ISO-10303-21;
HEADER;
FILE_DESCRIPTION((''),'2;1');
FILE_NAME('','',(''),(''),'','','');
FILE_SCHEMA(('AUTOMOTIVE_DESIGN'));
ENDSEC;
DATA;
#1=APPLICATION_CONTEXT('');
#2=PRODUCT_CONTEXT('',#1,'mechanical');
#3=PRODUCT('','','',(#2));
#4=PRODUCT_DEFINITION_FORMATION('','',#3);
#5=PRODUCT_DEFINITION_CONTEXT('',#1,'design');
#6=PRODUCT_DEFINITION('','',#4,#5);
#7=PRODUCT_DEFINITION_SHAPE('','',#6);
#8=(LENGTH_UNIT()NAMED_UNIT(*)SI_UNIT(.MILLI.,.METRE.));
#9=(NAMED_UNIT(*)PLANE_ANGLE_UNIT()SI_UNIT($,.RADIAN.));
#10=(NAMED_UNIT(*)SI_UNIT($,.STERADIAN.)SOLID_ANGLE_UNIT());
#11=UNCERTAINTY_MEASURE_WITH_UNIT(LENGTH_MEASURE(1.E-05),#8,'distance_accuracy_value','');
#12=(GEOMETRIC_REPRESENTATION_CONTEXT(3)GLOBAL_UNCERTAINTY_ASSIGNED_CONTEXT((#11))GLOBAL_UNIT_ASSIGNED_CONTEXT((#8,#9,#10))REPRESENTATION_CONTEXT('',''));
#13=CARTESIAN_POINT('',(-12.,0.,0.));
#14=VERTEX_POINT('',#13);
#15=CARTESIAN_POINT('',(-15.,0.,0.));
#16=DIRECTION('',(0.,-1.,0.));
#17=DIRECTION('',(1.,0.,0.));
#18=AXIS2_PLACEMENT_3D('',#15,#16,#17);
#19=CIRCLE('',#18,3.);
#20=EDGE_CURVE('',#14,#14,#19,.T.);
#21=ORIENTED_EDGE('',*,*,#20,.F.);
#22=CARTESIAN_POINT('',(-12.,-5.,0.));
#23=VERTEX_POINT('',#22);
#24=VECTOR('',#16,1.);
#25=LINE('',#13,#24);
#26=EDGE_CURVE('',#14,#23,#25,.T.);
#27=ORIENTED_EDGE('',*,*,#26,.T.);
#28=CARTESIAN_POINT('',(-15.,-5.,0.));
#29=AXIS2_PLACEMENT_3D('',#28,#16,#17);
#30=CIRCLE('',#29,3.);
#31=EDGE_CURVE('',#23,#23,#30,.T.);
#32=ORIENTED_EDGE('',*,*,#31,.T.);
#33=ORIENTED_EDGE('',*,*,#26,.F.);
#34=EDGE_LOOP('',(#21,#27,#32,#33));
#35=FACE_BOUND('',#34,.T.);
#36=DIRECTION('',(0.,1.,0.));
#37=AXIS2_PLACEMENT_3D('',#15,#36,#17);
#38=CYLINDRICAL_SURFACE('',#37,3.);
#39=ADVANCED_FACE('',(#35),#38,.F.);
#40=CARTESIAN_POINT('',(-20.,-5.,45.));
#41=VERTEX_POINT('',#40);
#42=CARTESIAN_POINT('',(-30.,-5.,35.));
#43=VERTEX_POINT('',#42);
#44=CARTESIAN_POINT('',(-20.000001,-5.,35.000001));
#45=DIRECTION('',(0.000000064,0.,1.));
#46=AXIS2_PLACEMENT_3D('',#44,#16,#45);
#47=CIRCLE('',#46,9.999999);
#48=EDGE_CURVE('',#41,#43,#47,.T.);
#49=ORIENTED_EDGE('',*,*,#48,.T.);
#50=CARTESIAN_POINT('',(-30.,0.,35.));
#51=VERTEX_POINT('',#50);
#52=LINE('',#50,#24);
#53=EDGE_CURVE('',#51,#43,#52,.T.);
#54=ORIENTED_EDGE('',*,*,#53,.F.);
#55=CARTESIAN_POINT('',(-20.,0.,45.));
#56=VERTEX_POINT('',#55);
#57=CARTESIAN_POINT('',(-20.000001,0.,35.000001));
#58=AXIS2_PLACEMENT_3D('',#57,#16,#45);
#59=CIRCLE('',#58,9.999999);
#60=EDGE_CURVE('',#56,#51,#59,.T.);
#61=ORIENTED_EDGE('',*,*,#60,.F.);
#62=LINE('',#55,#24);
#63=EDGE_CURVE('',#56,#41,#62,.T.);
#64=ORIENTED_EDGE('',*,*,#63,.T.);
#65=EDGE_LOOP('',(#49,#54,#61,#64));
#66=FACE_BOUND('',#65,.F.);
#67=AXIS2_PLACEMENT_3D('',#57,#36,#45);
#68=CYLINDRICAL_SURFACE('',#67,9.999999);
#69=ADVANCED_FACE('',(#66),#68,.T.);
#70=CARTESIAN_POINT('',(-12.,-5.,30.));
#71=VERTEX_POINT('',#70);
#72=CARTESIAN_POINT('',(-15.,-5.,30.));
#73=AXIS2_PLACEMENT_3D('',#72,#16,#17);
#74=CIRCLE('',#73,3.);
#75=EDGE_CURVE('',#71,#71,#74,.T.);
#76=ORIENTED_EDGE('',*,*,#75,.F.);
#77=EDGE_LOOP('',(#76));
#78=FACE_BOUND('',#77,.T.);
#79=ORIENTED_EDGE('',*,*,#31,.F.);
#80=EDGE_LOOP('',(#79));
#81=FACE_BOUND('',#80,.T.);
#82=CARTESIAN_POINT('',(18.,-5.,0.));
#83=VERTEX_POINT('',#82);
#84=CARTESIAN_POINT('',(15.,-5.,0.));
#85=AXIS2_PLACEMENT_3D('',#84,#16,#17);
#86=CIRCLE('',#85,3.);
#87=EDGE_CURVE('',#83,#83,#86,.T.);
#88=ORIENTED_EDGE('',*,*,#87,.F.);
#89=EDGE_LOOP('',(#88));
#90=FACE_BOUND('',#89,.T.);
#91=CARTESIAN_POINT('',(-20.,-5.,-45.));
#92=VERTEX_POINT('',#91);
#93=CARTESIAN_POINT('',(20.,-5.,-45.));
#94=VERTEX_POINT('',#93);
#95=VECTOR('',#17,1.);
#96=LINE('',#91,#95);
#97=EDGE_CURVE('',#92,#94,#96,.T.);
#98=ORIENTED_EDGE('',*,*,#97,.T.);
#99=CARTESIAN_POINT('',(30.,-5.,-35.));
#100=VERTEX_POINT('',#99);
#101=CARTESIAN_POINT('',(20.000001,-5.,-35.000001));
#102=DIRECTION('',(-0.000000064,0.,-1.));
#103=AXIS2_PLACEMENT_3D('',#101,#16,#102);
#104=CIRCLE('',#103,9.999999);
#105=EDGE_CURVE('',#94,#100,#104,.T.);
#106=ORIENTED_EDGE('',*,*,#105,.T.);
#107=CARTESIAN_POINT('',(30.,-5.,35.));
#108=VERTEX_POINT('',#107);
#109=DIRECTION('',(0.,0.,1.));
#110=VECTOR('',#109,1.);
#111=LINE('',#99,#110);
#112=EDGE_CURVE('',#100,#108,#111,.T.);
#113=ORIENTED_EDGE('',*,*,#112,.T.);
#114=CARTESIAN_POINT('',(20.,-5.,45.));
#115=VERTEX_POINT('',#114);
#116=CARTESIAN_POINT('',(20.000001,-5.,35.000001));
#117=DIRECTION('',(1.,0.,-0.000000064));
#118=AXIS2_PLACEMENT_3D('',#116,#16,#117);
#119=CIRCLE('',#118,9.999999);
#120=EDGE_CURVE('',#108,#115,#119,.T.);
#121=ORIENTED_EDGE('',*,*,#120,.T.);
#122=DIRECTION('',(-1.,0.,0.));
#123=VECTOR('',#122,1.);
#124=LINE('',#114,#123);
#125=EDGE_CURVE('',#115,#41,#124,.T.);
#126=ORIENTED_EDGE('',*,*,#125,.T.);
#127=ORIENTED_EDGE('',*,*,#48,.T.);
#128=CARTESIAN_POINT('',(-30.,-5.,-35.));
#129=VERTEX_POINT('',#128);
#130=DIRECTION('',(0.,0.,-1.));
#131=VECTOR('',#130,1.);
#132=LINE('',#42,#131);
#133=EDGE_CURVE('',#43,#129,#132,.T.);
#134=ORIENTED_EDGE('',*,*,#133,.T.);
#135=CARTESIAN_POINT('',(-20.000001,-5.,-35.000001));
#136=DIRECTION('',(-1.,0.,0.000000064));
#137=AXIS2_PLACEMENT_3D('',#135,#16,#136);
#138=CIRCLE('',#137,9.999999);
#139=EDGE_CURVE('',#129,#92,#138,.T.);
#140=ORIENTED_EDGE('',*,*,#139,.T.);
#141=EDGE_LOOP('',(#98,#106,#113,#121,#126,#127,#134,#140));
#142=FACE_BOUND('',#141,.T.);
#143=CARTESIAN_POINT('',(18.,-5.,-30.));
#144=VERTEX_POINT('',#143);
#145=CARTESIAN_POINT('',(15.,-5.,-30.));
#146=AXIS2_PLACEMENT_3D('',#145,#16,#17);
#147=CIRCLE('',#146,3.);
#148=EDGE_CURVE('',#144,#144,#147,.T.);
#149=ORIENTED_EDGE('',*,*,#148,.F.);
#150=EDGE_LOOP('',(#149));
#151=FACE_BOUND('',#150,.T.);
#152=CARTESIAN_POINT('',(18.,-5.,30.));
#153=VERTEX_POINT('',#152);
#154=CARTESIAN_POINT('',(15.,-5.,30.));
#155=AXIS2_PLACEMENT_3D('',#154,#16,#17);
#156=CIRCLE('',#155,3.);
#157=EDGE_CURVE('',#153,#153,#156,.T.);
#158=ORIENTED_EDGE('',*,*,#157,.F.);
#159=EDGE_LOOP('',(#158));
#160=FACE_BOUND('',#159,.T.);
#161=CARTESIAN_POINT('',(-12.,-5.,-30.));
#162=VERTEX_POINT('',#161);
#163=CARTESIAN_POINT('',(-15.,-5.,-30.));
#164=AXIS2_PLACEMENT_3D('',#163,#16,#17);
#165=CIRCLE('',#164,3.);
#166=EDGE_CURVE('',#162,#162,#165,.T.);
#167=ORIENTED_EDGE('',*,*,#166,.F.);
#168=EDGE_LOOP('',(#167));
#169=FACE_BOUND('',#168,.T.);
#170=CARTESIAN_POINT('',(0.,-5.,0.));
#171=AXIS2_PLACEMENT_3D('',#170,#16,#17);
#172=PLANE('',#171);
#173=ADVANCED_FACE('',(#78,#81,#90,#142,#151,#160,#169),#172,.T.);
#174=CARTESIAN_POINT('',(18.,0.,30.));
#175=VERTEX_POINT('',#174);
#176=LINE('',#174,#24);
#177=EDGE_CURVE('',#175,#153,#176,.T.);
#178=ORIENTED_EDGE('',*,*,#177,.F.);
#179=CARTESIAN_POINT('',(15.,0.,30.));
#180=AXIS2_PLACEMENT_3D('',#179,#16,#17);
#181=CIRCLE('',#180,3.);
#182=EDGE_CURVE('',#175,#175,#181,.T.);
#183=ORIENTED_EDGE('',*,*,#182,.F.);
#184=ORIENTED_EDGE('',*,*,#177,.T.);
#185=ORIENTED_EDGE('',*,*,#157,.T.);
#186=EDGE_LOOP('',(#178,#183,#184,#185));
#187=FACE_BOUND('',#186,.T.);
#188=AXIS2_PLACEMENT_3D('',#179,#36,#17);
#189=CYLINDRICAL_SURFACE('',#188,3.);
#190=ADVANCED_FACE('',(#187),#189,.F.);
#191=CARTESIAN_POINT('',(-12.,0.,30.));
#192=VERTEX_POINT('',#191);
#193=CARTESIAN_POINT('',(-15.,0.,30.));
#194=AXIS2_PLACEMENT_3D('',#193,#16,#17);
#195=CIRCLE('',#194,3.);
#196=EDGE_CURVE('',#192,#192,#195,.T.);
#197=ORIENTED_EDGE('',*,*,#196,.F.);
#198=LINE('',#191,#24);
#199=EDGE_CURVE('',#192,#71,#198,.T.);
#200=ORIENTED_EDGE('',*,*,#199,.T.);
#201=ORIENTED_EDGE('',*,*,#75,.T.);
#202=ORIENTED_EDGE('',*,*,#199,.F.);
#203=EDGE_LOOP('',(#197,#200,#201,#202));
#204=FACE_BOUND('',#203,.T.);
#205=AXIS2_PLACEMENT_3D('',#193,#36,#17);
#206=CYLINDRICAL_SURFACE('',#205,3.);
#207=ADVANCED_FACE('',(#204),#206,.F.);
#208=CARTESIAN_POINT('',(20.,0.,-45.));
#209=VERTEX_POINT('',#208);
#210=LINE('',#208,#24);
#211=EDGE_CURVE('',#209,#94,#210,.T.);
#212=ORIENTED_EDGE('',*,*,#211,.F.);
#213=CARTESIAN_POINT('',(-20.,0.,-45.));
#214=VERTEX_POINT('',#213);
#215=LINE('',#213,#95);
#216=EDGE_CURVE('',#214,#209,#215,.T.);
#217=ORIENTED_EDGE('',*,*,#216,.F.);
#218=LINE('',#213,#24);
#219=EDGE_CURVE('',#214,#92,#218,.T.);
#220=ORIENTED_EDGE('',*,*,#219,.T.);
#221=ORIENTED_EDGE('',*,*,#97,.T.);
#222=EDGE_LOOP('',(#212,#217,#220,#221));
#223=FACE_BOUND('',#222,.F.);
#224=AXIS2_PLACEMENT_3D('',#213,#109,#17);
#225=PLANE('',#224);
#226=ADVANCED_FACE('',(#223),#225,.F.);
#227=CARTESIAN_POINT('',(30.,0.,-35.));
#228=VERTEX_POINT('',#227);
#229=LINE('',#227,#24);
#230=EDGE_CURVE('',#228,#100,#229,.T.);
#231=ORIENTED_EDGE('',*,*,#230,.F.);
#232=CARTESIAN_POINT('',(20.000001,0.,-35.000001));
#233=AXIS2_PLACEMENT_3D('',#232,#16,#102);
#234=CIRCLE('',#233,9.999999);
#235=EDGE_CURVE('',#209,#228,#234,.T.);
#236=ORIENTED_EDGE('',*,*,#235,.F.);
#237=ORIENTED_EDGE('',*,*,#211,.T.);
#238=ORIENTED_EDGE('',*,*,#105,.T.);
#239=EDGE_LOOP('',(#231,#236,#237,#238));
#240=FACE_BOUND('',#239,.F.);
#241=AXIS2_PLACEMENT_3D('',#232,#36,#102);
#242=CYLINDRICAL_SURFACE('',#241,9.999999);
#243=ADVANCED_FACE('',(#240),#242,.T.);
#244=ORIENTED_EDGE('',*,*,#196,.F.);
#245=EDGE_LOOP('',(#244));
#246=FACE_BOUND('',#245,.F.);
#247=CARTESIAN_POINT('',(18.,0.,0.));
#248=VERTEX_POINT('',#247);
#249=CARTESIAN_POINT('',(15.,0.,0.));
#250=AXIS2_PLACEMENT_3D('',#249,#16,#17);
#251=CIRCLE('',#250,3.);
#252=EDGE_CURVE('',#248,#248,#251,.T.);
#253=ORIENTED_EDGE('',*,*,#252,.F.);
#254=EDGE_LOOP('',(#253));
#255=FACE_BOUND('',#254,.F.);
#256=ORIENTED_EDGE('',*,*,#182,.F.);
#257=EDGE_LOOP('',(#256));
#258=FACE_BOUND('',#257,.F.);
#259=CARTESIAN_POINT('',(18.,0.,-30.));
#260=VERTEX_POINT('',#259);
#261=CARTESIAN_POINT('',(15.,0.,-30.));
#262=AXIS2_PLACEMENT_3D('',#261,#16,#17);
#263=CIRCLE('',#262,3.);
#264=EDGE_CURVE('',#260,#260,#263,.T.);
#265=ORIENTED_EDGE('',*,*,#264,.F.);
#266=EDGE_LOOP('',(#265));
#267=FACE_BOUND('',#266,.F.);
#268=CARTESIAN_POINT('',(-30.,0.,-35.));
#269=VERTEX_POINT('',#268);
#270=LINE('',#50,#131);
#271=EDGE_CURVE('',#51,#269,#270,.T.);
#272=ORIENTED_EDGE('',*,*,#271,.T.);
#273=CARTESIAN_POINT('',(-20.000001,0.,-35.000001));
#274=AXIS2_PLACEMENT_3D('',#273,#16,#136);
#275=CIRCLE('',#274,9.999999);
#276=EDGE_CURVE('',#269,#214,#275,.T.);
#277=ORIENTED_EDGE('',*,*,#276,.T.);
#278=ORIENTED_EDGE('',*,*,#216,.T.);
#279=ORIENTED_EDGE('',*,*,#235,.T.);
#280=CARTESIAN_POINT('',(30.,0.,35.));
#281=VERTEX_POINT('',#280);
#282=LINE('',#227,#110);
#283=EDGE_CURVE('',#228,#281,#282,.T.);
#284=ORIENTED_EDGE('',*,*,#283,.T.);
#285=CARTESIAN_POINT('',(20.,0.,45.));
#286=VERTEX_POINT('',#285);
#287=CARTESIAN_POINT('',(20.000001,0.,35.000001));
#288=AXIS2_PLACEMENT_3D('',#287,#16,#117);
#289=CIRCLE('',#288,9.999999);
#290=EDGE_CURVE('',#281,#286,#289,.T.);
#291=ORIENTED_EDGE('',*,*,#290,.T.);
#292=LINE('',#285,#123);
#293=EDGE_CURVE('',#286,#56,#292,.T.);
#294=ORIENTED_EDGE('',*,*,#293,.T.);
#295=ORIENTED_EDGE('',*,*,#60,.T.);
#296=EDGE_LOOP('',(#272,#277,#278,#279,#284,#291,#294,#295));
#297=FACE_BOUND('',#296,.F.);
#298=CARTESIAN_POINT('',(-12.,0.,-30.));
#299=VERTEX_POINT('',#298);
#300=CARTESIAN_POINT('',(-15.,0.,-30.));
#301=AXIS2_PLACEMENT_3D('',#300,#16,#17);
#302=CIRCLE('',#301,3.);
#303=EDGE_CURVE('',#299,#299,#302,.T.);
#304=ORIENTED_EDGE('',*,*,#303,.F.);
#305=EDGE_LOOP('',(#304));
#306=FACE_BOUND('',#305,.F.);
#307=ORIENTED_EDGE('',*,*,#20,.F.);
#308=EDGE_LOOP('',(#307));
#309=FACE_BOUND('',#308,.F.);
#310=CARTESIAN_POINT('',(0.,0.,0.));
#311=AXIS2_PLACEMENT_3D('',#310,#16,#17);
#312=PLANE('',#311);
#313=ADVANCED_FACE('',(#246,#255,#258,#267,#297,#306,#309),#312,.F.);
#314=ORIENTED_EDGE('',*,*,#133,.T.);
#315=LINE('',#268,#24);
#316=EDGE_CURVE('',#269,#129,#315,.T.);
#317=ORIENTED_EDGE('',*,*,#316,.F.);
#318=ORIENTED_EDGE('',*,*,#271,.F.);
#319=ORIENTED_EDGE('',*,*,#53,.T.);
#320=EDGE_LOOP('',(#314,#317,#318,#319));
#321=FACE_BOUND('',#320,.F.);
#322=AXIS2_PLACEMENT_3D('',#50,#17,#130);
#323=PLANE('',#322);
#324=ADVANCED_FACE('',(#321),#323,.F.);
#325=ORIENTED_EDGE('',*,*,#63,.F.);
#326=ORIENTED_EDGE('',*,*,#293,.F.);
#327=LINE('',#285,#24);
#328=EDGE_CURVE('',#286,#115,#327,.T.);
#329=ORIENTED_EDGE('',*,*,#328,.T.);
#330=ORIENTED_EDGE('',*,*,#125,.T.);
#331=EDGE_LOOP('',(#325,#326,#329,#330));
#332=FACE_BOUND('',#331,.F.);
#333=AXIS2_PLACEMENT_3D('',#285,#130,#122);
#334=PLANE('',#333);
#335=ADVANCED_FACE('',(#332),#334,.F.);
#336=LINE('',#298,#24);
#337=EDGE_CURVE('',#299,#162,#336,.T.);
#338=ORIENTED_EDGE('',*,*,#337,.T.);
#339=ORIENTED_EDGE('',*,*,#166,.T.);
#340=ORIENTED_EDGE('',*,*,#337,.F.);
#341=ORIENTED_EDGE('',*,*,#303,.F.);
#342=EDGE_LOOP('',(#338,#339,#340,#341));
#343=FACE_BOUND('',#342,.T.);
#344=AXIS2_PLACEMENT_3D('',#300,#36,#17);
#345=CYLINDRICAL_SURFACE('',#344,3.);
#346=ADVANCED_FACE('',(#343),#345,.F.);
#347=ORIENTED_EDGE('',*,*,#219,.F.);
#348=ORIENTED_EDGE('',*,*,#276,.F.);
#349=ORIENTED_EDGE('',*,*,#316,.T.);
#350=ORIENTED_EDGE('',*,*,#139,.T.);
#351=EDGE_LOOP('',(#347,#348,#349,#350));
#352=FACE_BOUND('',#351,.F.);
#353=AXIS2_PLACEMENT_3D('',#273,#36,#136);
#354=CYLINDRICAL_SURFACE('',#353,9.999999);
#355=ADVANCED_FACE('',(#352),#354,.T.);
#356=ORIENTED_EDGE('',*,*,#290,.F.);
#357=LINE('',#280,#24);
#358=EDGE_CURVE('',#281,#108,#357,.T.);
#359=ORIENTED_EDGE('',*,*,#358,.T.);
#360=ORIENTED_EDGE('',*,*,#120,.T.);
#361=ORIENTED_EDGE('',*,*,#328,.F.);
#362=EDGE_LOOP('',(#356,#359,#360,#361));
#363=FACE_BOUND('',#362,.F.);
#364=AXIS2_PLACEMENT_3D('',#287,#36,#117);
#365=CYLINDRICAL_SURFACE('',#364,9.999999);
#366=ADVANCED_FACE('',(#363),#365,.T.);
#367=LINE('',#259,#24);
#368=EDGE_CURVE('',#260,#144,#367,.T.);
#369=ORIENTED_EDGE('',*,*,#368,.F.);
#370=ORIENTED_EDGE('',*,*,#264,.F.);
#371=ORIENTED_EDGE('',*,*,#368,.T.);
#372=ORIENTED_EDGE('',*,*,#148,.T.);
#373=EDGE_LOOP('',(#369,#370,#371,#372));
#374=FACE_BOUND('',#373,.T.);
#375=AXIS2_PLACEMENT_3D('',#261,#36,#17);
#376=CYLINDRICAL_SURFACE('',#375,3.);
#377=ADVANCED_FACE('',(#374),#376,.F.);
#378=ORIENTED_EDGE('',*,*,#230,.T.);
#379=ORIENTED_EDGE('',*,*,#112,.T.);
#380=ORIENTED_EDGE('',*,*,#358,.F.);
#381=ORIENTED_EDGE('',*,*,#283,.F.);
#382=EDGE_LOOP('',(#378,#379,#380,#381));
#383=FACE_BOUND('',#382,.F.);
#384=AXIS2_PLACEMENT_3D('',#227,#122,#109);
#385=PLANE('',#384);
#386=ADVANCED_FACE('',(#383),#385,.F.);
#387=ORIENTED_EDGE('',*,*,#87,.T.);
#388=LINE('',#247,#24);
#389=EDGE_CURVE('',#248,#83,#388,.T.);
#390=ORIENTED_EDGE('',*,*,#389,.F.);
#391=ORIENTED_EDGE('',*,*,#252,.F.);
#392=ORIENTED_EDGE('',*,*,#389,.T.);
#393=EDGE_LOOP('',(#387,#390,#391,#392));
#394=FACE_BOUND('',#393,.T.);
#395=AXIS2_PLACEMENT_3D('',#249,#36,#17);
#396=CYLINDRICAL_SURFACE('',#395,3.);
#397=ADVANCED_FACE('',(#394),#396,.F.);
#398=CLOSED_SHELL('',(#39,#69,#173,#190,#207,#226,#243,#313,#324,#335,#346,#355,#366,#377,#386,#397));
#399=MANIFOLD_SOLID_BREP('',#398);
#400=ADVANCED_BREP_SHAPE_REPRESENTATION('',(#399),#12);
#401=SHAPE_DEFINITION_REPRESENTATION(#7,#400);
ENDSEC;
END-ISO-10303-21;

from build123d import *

# Parameters (mm, degrees)
F0_R     = 3
F1_DEPTH = 5


with BuildPart() as f1:
    # F0 (on Front) → F1 (new body)
    with BuildSketch(Plane.XZ):
        with BuildLine():
            Line((20, 45), (-20, 45))
            ThreePointArc((-20, 45), (-27.071068, 42.071068), (-30, 35))
            Line((-30, 35), (-30, -35))
            ThreePointArc((-30, -35), (-27.071068, -42.071068), (-20, -45))
            Line((-20, -45), (20, -45))
            ThreePointArc((20, -45), (27.071068, -42.071068), (30, -35))
            Line((30, -35), (30, 35))
            ThreePointArc((30, 35), (27.071068, 42.071068), (20, 45))
        make_face()
        with Locations((-15, -30)):
            Circle(F0_R, mode=Mode.SUBTRACT)
        with Locations((15, -30)):
            Circle(F0_R, mode=Mode.SUBTRACT)
        with Locations((-15, 0)):
            Circle(F0_R, mode=Mode.SUBTRACT)
        with Locations((-15, 30)):
            Circle(F0_R, mode=Mode.SUBTRACT)
        with Locations((15, 0)):
            Circle(F0_R, mode=Mode.SUBTRACT)
        with Locations((15, 30)):
            Circle(F0_R, mode=Mode.SUBTRACT)
    extrude(amount=F1_DEPTH)


solid = f1.part
